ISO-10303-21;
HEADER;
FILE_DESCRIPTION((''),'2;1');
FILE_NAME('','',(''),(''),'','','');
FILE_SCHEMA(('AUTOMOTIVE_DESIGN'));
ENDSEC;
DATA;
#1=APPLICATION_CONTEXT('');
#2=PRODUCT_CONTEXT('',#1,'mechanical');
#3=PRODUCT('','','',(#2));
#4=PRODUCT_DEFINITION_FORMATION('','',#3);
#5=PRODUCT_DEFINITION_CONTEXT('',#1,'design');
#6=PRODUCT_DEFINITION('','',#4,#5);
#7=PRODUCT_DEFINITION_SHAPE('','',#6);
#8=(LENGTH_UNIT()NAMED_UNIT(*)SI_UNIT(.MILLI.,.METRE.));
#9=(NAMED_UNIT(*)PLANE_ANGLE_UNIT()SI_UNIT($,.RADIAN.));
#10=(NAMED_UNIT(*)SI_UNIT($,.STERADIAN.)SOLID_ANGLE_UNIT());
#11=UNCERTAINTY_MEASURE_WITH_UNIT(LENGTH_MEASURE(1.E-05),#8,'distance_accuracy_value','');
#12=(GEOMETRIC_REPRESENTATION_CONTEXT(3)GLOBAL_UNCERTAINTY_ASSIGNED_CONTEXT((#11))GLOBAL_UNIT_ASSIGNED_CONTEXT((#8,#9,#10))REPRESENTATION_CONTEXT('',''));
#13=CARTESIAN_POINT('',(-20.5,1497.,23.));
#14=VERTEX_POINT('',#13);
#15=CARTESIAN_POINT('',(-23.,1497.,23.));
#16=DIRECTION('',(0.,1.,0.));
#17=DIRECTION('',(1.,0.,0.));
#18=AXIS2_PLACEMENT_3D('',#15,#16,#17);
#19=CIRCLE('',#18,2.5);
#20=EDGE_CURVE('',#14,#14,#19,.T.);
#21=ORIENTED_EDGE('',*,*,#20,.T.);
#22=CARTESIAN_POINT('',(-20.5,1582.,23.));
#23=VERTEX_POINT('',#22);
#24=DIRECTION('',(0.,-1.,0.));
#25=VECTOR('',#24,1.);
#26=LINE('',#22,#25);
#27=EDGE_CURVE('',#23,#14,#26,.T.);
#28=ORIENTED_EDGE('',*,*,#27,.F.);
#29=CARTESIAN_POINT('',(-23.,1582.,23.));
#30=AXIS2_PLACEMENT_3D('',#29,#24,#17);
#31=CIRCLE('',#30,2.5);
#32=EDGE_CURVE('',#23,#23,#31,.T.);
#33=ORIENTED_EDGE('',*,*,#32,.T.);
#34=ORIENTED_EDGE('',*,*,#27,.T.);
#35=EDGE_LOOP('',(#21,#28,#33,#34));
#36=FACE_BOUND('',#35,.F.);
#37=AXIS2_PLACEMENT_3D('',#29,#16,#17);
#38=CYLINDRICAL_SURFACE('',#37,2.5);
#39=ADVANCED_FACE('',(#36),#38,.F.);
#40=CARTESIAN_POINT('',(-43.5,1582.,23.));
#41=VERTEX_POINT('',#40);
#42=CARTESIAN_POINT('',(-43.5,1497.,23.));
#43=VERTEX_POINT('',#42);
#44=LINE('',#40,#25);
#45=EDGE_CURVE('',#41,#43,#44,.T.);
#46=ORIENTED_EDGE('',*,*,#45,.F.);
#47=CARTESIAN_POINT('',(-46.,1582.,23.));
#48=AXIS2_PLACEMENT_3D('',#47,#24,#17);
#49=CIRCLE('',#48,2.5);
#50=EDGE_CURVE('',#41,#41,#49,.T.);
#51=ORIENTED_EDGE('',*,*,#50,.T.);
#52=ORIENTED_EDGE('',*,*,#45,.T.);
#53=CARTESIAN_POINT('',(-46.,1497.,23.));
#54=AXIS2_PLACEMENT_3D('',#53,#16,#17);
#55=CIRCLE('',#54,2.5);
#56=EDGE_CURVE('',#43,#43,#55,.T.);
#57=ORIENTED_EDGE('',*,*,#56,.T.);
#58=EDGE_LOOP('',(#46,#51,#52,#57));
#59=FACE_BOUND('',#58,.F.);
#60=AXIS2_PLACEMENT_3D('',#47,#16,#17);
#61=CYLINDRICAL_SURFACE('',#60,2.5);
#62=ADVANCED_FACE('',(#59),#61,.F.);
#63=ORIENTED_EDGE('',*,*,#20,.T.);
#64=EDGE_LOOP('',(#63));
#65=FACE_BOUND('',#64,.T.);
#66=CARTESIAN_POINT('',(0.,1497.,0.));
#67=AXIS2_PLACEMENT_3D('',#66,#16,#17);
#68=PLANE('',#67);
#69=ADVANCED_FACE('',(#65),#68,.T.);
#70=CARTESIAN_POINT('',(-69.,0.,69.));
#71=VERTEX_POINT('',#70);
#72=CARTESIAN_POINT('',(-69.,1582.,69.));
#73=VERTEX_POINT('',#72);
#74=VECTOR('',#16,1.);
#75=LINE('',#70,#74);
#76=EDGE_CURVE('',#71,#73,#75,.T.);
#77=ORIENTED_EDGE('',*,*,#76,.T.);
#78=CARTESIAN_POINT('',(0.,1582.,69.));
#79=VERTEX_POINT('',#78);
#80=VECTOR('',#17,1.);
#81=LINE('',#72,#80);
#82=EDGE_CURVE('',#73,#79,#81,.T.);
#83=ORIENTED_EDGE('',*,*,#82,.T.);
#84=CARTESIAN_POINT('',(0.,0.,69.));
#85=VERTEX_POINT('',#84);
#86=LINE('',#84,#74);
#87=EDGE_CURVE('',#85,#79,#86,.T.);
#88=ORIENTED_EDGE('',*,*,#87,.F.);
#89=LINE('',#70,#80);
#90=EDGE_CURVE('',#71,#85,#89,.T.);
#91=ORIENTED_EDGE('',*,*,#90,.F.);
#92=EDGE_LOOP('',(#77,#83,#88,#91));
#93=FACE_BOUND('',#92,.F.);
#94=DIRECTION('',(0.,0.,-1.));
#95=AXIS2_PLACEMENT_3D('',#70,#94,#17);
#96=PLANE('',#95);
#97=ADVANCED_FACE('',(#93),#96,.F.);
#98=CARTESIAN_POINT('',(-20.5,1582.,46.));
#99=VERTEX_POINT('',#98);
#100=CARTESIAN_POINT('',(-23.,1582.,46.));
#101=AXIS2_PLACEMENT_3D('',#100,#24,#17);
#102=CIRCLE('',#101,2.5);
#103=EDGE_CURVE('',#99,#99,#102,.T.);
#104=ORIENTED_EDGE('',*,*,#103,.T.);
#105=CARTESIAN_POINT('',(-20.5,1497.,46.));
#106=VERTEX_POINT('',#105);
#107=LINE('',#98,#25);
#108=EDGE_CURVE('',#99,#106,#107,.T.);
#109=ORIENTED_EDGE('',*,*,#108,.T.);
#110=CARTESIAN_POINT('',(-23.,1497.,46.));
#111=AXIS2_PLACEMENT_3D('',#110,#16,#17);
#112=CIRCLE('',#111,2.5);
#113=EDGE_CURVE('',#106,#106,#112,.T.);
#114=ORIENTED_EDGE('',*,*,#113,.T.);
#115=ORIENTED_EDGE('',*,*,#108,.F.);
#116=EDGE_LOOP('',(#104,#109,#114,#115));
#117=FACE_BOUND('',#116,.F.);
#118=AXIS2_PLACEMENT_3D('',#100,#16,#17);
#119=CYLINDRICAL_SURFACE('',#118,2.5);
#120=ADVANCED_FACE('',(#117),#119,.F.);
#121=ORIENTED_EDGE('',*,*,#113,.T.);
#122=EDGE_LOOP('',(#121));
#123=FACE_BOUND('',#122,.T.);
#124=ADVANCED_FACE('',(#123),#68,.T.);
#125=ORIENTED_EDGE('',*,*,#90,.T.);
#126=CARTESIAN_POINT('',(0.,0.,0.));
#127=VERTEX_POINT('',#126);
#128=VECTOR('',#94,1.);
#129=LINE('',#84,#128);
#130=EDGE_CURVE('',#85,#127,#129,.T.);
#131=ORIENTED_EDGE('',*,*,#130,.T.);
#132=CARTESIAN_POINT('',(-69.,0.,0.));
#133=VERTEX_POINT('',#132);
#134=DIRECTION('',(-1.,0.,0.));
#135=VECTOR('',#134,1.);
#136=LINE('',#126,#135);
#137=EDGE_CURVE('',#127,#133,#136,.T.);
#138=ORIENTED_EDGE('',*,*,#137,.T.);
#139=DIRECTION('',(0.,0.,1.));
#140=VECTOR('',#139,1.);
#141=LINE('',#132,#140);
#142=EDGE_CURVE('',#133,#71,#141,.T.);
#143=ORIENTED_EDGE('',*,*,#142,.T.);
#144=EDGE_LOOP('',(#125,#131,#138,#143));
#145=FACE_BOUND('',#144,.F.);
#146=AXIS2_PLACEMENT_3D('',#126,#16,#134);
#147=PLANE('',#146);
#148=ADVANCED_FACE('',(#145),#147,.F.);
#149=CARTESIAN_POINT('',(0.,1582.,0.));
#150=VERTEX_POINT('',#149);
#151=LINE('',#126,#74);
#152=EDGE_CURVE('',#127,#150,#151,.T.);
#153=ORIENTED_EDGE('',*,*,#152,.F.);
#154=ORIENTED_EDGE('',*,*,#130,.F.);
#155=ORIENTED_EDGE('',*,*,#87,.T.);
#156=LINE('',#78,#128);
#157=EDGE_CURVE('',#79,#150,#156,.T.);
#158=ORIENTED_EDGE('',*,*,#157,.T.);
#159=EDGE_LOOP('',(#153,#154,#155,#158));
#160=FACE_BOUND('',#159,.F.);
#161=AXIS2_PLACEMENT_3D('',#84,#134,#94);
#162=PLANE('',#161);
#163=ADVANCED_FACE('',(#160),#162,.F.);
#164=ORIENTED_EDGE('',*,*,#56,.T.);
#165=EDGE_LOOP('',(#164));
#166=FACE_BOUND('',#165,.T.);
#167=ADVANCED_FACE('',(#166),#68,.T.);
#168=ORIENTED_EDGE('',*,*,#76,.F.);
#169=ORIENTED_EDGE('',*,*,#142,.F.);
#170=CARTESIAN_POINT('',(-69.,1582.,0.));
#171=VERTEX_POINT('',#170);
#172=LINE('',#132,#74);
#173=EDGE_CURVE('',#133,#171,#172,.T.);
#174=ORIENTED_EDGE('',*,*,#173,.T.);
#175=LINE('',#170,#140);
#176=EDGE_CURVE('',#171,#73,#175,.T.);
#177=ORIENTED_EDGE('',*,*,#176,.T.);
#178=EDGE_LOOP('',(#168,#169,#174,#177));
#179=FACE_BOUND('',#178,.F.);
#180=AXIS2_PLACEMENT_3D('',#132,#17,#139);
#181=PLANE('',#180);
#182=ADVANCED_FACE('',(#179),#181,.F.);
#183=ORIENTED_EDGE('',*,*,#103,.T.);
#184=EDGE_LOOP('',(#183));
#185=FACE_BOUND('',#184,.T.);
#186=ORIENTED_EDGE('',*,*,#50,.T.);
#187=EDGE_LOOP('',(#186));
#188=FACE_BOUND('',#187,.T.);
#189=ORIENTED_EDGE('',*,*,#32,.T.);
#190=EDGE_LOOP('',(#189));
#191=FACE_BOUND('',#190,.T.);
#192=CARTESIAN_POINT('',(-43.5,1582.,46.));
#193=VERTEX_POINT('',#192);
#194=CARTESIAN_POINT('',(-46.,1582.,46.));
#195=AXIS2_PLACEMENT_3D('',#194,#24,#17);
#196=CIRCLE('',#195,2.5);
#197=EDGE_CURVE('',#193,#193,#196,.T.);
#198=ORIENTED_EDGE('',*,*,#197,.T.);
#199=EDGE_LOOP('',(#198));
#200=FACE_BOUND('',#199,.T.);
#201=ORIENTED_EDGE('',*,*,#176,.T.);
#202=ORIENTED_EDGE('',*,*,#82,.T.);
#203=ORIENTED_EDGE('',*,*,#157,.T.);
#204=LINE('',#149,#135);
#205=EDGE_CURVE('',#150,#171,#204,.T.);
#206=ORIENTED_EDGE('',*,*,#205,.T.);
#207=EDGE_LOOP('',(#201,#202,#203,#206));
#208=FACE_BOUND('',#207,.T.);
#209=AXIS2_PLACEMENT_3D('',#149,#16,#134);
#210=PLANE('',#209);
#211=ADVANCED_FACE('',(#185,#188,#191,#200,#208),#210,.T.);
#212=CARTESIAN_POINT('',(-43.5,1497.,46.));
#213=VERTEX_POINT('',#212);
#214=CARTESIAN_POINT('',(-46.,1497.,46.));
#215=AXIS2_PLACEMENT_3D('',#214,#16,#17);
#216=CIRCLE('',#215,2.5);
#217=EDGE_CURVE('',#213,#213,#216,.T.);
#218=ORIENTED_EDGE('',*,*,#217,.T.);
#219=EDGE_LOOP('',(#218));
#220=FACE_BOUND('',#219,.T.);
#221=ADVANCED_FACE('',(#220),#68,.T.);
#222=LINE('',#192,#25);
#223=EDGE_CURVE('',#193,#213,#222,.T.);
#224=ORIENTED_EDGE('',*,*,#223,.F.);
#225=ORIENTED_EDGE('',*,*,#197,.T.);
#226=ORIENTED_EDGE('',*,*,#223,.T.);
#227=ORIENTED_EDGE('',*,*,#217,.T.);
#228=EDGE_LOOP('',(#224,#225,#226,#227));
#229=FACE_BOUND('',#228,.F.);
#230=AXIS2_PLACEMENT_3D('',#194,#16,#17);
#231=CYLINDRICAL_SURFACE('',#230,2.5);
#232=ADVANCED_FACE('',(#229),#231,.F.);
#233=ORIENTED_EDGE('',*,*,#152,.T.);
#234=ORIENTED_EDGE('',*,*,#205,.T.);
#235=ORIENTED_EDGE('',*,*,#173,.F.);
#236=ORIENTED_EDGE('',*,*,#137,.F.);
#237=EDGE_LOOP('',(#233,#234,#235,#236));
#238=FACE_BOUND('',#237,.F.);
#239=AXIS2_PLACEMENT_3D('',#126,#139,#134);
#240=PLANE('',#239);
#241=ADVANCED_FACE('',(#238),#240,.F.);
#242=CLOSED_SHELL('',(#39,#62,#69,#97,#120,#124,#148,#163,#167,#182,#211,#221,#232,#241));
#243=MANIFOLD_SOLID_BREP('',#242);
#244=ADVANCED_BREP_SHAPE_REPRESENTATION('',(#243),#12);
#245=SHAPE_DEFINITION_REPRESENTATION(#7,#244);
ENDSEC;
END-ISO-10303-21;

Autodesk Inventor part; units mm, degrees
ref_plane "YZ Plane" through (0, 0, 0) normal (1, 0, 0) x (0, 1, 0)
ref_plane "XZ Plane" through (0, 0, 0) normal (0, 1, 0) x (-1, 0, 0)
ref_plane "XY Plane" through (0, 0, 0) normal (0, 0, 1) x (1, 0, 0)
sketch "Sketch1" plane through (0, 0, 0) normal (0, 1, 0) x (-1, 0, 0)
  line L0 (69, 69) -> (0, 69)
  line L1 (0, 69) -> (0, 0)
  line L2 (0, 0) -> (69, 0)
  line L3 (69, 0) -> (69, 69)
  dimension "d0" = 69
  dimension "d1" = 69
extrude "Extrusion1" add sketch "Sketch1" along normal blind 1582
sketch "Sketch2" plane through (0, 1582, 0) normal (0, 1, 0) x (1, 0, 0)
  circle A0 centre (-46, -46) radius 2.5
  circle A1 centre (-23, -23) radius 2.5
  circle A2 centre (-46, -23) radius 2.5
  circle A3 centre (-23, -46) radius 2.5
  line L0 (0, 0) -> (-69, 0) projected
  line L1 (0, -69) -> (0, 0) projected
  line L2 (-23, -23) -> (-46, -46)
  line L3 (-46, -23) -> (-23, -46)
  line L4 (-69, 0) -> (-69, -69) projected
  point P0 (-34.5, -34.5)
  point P1 (0, -34.5)
  point P2 (-34.5, 0)
  dimension "screwhole" = 5
  dimension "d23" = 5
  dimension "d24" = 5
  dimension "d25" = 5
  dimension "d26" = 23
extrude "Extrusion2" cut sketch "Sketch2" against normal blind 85
equation "\"d23\" = screwhole"
equation "\"d24\" = screwhole"
equation "\"d25\" = screwhole"
properties part number "post-tall"
